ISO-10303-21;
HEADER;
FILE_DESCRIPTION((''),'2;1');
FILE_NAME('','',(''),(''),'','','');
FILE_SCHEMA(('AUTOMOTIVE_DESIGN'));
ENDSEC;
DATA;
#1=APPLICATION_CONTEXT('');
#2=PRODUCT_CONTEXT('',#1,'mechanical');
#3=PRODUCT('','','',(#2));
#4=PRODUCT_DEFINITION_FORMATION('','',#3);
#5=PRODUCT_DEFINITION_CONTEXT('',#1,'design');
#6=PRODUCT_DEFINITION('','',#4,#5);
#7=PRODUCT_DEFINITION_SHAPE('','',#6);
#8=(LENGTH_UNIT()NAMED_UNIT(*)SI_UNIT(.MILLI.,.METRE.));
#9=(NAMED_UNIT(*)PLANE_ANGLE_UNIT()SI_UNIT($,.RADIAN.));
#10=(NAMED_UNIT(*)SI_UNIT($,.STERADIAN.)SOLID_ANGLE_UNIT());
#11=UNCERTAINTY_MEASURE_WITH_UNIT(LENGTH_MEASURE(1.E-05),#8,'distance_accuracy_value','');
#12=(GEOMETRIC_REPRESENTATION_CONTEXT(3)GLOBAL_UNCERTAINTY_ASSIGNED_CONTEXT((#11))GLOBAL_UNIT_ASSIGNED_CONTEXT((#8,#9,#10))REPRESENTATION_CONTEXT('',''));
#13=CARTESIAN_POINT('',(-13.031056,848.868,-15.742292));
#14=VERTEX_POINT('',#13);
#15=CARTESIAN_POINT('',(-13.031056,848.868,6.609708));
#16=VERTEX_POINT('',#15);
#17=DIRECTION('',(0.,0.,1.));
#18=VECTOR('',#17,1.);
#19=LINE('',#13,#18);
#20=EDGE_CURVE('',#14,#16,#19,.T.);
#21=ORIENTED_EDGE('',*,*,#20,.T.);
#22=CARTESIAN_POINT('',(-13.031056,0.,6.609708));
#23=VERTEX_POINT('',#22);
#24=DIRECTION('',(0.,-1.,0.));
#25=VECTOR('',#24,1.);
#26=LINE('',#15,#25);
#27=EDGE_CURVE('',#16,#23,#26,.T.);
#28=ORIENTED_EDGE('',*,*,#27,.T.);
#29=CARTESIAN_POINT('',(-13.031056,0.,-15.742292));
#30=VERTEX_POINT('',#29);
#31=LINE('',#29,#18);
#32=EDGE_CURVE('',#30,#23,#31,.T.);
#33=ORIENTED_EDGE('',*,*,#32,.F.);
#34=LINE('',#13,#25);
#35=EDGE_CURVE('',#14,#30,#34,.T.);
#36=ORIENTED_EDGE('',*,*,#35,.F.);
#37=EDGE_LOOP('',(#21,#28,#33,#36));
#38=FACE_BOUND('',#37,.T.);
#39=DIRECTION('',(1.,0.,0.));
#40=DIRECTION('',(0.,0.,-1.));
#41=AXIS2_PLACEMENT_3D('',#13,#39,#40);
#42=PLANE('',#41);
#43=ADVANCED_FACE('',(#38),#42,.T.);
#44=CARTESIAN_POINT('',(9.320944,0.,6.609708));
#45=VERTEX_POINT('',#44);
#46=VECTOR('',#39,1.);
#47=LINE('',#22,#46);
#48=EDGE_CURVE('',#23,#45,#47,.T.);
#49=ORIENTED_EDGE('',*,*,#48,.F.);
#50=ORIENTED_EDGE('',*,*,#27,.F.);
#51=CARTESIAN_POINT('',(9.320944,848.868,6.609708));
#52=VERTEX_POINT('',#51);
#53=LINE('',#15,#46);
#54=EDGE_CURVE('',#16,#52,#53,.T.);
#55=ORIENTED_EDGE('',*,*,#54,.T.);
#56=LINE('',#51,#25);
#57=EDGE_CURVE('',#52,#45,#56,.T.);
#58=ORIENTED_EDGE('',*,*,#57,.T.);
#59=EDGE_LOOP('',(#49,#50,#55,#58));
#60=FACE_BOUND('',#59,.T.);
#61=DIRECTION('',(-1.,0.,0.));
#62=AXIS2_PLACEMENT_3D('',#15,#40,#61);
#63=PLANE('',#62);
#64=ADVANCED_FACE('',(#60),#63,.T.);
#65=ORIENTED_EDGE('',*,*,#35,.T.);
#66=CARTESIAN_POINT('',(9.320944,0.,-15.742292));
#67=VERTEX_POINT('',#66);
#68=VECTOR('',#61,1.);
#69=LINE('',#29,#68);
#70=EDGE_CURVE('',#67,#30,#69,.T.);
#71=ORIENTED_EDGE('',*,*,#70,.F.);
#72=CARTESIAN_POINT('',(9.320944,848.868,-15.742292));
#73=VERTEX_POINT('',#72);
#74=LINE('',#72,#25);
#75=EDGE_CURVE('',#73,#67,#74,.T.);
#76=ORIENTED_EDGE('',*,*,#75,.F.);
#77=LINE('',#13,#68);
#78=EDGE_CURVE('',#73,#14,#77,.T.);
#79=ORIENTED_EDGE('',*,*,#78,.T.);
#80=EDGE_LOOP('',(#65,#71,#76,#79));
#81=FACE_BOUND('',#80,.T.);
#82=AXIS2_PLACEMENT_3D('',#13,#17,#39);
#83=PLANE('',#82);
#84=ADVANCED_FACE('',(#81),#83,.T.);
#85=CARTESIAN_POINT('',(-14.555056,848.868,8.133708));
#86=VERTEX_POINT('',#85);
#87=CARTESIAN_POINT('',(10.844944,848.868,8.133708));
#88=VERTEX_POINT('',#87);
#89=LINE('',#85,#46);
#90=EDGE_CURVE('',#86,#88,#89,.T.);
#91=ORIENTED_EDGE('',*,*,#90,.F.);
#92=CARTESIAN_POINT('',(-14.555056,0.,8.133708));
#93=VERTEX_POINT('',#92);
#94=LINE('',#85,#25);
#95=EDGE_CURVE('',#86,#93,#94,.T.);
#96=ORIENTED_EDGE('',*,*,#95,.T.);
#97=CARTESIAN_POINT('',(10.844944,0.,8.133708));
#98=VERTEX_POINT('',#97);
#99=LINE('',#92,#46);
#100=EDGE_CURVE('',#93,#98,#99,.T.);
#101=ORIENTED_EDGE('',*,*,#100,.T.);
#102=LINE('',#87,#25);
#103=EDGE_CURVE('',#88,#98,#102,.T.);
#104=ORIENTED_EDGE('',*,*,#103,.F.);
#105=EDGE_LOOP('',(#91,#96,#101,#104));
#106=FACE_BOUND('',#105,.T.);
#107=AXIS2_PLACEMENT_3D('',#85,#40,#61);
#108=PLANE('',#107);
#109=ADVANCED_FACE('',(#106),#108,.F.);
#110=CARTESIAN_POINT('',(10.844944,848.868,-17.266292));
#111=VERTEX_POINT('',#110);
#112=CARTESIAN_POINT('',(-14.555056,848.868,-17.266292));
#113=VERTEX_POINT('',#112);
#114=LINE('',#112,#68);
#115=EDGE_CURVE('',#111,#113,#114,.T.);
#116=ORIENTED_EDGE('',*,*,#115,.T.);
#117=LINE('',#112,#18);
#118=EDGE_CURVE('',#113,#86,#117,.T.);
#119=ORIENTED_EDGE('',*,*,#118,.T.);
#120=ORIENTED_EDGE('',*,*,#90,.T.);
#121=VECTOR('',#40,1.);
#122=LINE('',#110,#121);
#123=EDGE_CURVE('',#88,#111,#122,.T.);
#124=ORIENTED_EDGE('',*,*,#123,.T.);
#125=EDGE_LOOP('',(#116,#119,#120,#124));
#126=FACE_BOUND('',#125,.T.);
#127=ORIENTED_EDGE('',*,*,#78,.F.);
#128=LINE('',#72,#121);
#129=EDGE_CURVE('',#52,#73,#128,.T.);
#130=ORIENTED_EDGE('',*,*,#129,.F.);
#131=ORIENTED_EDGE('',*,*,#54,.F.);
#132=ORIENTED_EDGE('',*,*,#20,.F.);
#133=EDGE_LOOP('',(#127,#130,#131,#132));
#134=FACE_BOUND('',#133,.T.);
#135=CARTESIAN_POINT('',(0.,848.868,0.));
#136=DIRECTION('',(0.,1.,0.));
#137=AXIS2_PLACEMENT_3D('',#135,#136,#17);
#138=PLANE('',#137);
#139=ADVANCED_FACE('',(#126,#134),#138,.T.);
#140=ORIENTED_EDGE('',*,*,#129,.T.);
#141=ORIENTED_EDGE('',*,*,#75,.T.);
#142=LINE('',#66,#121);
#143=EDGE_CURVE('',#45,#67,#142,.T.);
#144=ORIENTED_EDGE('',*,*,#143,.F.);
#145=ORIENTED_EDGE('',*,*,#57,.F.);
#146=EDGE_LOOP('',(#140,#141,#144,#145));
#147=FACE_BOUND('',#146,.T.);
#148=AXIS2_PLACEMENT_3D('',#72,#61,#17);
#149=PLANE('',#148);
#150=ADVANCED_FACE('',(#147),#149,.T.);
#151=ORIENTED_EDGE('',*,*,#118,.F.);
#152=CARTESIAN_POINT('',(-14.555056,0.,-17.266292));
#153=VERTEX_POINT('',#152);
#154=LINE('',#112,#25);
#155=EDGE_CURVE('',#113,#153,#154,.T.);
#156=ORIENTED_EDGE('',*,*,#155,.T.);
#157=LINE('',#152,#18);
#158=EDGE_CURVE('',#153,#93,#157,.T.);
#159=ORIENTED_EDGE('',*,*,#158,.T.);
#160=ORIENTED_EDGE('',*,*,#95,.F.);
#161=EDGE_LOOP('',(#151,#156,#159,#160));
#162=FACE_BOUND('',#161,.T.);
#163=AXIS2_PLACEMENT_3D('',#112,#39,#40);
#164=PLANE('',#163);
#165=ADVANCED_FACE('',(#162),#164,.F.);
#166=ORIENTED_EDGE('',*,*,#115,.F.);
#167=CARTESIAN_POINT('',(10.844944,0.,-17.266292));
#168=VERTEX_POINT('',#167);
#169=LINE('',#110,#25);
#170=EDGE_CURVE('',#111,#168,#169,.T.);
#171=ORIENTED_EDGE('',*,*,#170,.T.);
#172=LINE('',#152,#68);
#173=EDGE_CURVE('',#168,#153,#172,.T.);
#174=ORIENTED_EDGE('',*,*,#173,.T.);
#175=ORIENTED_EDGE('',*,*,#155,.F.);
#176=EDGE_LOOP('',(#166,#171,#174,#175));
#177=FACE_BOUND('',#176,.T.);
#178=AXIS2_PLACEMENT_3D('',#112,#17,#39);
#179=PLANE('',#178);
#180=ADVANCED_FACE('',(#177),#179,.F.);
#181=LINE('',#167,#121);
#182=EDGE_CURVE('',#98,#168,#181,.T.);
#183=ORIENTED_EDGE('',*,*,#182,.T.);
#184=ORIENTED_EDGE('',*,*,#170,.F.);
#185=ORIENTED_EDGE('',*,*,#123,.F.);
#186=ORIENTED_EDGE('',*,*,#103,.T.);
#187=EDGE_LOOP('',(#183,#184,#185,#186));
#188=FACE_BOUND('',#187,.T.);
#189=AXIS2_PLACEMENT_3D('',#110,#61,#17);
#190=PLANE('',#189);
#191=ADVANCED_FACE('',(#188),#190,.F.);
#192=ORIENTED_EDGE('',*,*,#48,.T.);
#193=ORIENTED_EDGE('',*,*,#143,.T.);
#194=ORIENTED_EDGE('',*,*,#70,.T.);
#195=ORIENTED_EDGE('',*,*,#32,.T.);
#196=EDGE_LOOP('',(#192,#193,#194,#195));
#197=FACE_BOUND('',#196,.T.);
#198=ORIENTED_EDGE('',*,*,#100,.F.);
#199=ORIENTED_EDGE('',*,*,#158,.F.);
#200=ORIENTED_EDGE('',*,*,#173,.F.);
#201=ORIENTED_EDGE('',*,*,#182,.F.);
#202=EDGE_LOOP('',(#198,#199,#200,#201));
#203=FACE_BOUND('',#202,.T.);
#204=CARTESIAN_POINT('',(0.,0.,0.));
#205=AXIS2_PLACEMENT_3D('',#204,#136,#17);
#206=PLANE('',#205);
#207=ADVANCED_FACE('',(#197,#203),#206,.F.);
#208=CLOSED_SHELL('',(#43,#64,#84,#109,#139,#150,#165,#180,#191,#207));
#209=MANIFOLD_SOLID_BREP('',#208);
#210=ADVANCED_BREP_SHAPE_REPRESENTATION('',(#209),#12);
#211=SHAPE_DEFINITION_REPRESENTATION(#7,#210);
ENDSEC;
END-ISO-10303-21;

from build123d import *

# Parameters (mm, degrees)
SKETCH1_W           = 25.4
SKETCH1_H           = 25.4
SKETCH1_W_2         = 22.352
SKETCH1_H_2         = 22.352
BOSS_EXTRUDE1_DEPTH = 848.868


with BuildPart() as part:
    # Sketch1 → Boss-Extrude1 (new body)
    with BuildSketch(Plane(origin=(0, 0, 0), x_dir=(1, 0, 0), z_dir=(0, 1, 0))):
        with Locations((-1.85505618, 4.566292135)):
            Rectangle(SKETCH1_W, SKETCH1_H)
        with Locations((-1.85505618, 4.566292135)):
            Rectangle(SKETCH1_W_2, SKETCH1_H_2, mode=Mode.SUBTRACT)
    extrude(amount=BOSS_EXTRUDE1_DEPTH)


solid = part.part
